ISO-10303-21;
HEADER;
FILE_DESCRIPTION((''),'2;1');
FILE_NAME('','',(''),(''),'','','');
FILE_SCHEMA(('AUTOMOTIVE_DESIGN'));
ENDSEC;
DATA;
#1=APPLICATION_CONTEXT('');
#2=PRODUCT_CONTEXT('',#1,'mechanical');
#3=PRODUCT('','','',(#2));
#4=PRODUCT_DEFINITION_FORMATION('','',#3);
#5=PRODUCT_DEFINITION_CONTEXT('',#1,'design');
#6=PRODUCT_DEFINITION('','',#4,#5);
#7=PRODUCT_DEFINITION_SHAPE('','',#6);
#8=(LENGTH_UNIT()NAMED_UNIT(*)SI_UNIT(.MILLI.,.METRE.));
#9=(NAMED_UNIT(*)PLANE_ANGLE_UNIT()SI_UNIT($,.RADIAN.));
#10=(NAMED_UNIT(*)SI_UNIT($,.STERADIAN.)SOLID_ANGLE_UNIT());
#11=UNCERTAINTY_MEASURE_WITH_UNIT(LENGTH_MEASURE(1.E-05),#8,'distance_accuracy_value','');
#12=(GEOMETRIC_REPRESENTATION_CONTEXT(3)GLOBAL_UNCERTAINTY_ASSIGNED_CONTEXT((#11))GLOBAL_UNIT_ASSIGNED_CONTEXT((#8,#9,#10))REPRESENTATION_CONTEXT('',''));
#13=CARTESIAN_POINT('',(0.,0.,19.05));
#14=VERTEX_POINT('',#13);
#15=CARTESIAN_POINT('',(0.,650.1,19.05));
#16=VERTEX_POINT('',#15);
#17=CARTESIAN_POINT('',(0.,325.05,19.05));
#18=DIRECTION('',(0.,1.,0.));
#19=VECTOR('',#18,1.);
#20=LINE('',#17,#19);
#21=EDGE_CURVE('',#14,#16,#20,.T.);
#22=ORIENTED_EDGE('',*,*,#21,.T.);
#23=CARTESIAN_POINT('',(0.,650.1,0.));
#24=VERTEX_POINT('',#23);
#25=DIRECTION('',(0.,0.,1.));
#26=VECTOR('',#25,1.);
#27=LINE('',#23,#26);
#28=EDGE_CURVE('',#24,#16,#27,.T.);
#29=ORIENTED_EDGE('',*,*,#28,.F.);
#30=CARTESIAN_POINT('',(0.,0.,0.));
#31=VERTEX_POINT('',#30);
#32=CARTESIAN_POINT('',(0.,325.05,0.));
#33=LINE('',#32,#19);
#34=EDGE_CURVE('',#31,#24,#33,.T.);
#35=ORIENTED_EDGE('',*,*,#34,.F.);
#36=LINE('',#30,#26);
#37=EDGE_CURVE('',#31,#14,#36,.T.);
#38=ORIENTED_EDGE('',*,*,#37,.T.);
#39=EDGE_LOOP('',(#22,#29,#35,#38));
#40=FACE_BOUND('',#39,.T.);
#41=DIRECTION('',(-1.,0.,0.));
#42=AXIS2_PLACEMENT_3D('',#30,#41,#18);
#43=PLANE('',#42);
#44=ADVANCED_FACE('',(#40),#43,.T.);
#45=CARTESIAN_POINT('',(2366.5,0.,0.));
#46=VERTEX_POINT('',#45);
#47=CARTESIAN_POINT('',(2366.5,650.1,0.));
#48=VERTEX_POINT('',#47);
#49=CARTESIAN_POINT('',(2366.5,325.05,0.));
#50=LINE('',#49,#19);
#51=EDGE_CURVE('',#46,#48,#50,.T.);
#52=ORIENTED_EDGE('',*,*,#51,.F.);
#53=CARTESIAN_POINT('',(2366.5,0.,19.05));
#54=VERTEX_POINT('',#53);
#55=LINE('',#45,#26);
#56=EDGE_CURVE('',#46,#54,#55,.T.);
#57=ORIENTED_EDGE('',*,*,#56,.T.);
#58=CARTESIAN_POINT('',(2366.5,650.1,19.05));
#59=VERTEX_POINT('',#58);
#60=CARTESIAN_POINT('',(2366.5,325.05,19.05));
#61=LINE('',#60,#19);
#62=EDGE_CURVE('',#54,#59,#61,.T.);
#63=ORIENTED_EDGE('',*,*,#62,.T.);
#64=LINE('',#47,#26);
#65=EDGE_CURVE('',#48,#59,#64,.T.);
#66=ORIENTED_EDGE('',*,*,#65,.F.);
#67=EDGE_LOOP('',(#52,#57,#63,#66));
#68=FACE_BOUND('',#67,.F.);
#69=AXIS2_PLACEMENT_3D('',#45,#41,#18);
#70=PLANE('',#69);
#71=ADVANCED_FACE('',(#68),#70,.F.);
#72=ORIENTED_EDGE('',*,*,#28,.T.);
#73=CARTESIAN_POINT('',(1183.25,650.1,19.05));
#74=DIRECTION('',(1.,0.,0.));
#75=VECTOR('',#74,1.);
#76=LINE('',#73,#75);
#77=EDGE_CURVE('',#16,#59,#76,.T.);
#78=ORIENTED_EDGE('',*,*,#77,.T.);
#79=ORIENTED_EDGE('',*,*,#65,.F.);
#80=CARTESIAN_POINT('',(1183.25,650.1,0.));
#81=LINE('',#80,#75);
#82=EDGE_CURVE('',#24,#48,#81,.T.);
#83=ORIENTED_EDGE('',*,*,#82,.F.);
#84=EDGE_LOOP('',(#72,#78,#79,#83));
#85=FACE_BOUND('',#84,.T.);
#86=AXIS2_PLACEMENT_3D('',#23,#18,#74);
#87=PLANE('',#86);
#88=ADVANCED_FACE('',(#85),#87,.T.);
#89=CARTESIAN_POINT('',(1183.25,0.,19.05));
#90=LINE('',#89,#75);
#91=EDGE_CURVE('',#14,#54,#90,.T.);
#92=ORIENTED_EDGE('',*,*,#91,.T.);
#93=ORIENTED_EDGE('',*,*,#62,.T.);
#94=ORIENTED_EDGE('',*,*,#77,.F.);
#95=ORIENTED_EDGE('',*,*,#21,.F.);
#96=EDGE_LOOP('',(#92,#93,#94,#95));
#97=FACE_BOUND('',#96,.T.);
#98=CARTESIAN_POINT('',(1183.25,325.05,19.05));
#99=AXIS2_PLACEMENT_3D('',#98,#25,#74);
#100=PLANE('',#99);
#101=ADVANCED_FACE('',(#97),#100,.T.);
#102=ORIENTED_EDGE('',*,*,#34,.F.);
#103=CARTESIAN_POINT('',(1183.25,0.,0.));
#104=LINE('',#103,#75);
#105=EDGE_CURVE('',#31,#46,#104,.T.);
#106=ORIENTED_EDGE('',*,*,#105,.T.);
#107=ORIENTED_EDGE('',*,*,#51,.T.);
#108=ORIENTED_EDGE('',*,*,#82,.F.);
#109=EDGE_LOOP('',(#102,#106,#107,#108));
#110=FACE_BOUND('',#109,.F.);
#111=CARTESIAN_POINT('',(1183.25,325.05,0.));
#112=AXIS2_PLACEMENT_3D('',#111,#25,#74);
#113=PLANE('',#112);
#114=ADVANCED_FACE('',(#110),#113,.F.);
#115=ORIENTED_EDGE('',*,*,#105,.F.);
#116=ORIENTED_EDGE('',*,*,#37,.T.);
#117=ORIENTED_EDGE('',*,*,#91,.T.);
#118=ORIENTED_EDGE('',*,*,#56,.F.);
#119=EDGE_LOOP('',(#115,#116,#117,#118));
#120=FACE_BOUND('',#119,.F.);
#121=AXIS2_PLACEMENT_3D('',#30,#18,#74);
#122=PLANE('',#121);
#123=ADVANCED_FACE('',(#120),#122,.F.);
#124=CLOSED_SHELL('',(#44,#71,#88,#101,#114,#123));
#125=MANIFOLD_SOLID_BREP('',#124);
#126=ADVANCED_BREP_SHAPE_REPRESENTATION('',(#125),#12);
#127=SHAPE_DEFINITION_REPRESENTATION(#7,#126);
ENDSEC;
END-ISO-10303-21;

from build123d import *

# Parameters (mm, degrees)
SKETCH_W  = 2366.5
SKETCH_H  = 650.1
PAD_DEPTH = 19.05


with BuildPart() as part:
    # Sketch → Pad (new body)
    with BuildSketch(Plane.XY):
        with Locations((1183.25, 325.05)):
            Rectangle(SKETCH_W, SKETCH_H)
    extrude(amount=PAD_DEPTH)


solid = part.part
